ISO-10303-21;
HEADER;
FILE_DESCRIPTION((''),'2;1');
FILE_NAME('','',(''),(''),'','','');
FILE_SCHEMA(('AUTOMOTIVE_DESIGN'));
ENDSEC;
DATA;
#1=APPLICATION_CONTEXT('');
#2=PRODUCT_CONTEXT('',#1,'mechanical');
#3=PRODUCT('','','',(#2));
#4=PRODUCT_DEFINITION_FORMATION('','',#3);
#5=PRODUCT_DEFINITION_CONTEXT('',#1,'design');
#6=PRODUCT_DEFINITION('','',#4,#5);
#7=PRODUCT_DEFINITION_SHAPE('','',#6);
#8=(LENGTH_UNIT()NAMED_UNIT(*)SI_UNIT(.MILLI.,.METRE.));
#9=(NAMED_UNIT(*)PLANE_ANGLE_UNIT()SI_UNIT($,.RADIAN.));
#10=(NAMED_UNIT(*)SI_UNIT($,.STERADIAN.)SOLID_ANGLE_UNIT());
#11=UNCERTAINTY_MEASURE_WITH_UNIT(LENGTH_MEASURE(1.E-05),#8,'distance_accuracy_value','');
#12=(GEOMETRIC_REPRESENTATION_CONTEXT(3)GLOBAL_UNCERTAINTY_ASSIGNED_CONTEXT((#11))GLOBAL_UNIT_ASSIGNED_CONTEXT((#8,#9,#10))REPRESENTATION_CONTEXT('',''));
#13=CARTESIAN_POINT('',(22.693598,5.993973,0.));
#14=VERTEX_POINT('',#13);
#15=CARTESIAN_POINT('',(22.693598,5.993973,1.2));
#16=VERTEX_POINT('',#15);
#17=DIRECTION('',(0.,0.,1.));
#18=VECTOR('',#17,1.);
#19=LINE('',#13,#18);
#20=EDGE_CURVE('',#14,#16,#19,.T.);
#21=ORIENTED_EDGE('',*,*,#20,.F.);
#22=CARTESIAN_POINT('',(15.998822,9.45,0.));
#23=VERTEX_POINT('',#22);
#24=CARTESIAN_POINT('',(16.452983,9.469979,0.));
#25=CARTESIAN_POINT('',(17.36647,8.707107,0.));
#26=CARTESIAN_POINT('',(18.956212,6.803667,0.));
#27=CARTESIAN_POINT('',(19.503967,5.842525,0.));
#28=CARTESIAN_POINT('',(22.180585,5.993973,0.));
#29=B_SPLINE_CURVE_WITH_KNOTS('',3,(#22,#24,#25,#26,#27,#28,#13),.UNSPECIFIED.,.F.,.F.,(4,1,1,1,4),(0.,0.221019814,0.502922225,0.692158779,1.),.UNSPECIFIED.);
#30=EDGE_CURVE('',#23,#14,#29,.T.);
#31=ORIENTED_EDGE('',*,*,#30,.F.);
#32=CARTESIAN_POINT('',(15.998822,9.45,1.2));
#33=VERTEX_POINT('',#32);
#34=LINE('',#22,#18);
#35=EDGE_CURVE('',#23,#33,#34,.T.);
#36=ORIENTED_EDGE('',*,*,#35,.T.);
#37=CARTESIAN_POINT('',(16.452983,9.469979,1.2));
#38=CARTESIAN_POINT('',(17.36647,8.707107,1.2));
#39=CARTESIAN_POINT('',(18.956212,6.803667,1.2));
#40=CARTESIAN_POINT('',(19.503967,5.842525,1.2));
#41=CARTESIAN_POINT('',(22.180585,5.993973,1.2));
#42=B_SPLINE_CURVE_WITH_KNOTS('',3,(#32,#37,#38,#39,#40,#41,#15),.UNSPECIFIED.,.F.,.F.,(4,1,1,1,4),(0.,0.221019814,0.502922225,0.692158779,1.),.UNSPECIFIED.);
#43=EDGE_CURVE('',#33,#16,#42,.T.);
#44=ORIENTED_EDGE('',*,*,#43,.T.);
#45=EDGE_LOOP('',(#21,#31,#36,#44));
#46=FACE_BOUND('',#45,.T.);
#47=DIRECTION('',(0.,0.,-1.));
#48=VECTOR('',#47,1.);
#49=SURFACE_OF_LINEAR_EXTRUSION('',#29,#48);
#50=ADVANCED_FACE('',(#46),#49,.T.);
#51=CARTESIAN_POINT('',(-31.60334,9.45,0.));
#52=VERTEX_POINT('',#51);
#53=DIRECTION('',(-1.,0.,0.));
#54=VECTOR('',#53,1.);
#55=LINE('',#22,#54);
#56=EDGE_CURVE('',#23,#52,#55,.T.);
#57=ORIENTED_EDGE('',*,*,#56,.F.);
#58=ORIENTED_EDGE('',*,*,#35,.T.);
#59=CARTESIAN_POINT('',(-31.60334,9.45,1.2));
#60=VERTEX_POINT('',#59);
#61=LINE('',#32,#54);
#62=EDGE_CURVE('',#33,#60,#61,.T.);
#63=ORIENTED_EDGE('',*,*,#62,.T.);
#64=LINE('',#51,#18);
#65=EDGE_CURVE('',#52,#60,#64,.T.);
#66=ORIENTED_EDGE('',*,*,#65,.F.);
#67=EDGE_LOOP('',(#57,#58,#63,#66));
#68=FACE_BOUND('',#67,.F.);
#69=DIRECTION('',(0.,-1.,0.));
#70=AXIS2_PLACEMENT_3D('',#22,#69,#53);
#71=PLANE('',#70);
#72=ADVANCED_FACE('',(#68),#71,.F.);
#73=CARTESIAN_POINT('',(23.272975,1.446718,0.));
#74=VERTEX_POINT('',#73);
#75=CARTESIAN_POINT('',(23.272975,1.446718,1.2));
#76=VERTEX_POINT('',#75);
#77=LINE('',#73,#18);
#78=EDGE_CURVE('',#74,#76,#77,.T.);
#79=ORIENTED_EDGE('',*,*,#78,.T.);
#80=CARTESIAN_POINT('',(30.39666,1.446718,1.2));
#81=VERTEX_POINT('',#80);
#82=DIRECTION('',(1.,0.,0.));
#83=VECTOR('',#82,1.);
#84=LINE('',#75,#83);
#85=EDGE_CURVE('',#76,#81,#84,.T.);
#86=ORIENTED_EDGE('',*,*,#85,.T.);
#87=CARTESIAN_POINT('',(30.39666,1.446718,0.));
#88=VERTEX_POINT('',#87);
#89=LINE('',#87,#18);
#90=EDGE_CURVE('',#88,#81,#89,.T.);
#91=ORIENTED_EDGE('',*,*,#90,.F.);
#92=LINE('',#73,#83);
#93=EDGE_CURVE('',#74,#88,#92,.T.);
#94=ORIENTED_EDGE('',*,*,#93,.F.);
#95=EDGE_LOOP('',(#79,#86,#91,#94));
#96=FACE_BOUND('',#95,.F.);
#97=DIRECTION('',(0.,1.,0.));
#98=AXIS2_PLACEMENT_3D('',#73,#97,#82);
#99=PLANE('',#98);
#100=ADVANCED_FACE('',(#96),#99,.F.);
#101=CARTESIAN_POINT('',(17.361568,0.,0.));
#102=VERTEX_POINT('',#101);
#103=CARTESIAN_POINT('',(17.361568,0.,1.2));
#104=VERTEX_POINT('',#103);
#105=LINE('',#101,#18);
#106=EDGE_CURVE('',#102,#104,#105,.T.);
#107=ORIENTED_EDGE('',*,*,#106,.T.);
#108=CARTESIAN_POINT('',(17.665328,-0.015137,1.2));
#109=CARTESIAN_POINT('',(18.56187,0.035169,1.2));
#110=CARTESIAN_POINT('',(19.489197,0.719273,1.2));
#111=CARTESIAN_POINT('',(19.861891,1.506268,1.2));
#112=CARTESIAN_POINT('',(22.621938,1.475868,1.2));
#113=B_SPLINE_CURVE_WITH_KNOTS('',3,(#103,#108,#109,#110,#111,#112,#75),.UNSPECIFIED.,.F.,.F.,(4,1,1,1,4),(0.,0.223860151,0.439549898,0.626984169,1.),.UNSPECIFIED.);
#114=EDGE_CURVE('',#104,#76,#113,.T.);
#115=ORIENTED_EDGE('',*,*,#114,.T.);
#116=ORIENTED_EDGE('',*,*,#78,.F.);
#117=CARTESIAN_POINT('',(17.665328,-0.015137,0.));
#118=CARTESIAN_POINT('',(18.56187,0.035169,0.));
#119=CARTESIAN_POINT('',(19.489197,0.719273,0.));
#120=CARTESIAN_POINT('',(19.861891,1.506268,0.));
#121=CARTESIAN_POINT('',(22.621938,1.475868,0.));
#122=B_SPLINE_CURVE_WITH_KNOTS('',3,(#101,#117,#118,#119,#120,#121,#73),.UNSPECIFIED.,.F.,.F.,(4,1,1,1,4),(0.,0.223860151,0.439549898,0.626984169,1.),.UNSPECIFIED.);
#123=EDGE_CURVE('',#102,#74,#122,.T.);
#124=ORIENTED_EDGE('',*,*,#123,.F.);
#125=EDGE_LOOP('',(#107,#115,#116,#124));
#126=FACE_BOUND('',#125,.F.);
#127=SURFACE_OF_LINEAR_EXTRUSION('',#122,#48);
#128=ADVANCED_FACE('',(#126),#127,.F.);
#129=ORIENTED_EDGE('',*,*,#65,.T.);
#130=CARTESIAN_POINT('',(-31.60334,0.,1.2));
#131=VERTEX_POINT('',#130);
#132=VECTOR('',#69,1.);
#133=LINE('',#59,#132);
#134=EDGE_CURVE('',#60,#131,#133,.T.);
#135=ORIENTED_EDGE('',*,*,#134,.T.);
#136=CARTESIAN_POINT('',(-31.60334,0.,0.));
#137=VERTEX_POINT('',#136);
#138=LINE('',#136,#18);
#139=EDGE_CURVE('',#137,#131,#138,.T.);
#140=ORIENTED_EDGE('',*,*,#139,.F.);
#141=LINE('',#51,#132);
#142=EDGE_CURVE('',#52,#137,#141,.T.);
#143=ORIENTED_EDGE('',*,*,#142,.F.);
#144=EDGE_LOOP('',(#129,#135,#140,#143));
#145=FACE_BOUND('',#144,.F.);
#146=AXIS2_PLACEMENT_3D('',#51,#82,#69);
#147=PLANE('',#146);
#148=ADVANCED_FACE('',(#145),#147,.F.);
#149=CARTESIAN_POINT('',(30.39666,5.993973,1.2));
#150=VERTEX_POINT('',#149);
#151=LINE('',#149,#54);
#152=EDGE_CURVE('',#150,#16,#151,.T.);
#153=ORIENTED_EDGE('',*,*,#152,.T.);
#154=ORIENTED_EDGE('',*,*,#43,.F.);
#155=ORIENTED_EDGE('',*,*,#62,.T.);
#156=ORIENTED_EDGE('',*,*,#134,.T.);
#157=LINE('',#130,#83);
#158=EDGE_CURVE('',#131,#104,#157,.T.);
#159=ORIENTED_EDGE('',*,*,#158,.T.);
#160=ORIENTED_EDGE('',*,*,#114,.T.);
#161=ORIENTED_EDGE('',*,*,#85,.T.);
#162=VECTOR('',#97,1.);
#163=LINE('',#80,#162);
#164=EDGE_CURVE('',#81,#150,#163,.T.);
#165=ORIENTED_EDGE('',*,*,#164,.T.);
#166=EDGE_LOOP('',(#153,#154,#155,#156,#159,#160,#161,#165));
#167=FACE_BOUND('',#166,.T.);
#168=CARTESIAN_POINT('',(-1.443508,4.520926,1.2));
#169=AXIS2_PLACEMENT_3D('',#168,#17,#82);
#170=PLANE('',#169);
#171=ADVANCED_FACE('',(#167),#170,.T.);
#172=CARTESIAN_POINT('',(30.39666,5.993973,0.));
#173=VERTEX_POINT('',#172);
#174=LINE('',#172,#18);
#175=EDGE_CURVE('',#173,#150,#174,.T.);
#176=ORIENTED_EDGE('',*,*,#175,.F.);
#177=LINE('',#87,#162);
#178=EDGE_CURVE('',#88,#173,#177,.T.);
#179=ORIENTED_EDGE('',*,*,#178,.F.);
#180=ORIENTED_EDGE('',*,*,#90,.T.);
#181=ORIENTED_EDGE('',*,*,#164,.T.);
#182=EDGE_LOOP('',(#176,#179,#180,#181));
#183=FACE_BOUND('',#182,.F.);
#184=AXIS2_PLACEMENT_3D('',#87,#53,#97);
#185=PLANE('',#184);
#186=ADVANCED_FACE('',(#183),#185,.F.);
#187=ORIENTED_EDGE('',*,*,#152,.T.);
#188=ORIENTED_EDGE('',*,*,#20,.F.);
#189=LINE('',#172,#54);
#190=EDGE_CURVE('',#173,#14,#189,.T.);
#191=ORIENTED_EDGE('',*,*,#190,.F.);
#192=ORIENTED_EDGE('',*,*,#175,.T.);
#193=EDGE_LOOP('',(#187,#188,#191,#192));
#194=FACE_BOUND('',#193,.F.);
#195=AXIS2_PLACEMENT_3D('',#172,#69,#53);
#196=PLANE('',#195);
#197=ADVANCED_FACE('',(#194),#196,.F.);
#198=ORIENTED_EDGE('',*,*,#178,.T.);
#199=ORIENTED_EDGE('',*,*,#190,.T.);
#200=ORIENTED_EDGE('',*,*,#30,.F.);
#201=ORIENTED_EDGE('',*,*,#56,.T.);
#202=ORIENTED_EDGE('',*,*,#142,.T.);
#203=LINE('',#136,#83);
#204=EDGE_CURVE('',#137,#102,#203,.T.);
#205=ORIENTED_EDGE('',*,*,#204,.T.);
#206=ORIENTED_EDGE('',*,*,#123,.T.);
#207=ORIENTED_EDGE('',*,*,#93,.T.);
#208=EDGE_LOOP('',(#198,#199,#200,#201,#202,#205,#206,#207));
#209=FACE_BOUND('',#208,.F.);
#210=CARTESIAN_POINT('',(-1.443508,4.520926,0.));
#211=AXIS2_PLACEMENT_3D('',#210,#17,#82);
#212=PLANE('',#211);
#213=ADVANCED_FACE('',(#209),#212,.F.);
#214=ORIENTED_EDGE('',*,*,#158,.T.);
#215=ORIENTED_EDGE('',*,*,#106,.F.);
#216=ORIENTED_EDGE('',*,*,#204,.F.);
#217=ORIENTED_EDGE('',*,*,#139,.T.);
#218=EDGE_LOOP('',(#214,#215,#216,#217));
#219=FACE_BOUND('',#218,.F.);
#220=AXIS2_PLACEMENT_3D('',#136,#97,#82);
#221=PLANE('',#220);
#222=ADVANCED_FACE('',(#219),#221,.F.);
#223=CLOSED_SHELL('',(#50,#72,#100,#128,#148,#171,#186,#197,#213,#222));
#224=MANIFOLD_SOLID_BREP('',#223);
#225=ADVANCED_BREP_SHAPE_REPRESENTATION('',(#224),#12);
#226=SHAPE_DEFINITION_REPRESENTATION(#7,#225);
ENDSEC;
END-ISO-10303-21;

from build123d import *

# Parameters (mm, degrees)
F1_DEPTH = 1.2


with BuildPart() as f1:
    # F0 (on Top) → F1 (new body)
    with BuildSketch(Plane.XY):
        with BuildLine():
            Line((-31.6033400595, 0), (-18.3987915516, 0))
            Line((-18.3987915516, 0), (17.361568287, 0))
            add(Edge.make_bspline(
                [(17.361568287, 0), (17.6653276456, -0.0151373092), (18.5618703821, 0.0351687115), (19.4891966539, 0.7192725546), (19.8618906847, 1.5062680295), (22.6219379208, 1.4758684176), (23.2729754299, 1.4467175351)],
                knots=[0, 0, 0, 0, 0.223860151, 0.4395498979, 0.6269841693, 1, 1, 1, 1], degree=3))
            Line((23.2729754299, 1.4467175351), (30.3966599405, 1.4467175351))
            Line((30.3966599405, 1.4467175351), (30.3966599405, 5.9939725325))
            Line((30.3966599405, 5.9939725325), (22.6935977936, 5.9939725325))
            add(Edge.make_bspline(
                [(15.9988217056, 9.45), (16.4529830217, 9.4699785113), (17.3664699522, 8.7071065894), (18.9562119726, 6.8036674365), (19.5039672266, 5.8425249718), (22.1805847091, 5.9939725325), (22.6935977936, 5.9939725325)],
                knots=[0, 0, 0, 0, 0.2210198142, 0.5029222248, 0.6921587786, 1, 1, 1, 1], degree=3))
            Line((15.9988217056, 9.45), (-31.6033400595, 9.45))
            Line((-31.6033400595, 9.45), (-31.6033400595, 0))
        make_face()
    extrude(amount=F1_DEPTH)


solid = f1.part
